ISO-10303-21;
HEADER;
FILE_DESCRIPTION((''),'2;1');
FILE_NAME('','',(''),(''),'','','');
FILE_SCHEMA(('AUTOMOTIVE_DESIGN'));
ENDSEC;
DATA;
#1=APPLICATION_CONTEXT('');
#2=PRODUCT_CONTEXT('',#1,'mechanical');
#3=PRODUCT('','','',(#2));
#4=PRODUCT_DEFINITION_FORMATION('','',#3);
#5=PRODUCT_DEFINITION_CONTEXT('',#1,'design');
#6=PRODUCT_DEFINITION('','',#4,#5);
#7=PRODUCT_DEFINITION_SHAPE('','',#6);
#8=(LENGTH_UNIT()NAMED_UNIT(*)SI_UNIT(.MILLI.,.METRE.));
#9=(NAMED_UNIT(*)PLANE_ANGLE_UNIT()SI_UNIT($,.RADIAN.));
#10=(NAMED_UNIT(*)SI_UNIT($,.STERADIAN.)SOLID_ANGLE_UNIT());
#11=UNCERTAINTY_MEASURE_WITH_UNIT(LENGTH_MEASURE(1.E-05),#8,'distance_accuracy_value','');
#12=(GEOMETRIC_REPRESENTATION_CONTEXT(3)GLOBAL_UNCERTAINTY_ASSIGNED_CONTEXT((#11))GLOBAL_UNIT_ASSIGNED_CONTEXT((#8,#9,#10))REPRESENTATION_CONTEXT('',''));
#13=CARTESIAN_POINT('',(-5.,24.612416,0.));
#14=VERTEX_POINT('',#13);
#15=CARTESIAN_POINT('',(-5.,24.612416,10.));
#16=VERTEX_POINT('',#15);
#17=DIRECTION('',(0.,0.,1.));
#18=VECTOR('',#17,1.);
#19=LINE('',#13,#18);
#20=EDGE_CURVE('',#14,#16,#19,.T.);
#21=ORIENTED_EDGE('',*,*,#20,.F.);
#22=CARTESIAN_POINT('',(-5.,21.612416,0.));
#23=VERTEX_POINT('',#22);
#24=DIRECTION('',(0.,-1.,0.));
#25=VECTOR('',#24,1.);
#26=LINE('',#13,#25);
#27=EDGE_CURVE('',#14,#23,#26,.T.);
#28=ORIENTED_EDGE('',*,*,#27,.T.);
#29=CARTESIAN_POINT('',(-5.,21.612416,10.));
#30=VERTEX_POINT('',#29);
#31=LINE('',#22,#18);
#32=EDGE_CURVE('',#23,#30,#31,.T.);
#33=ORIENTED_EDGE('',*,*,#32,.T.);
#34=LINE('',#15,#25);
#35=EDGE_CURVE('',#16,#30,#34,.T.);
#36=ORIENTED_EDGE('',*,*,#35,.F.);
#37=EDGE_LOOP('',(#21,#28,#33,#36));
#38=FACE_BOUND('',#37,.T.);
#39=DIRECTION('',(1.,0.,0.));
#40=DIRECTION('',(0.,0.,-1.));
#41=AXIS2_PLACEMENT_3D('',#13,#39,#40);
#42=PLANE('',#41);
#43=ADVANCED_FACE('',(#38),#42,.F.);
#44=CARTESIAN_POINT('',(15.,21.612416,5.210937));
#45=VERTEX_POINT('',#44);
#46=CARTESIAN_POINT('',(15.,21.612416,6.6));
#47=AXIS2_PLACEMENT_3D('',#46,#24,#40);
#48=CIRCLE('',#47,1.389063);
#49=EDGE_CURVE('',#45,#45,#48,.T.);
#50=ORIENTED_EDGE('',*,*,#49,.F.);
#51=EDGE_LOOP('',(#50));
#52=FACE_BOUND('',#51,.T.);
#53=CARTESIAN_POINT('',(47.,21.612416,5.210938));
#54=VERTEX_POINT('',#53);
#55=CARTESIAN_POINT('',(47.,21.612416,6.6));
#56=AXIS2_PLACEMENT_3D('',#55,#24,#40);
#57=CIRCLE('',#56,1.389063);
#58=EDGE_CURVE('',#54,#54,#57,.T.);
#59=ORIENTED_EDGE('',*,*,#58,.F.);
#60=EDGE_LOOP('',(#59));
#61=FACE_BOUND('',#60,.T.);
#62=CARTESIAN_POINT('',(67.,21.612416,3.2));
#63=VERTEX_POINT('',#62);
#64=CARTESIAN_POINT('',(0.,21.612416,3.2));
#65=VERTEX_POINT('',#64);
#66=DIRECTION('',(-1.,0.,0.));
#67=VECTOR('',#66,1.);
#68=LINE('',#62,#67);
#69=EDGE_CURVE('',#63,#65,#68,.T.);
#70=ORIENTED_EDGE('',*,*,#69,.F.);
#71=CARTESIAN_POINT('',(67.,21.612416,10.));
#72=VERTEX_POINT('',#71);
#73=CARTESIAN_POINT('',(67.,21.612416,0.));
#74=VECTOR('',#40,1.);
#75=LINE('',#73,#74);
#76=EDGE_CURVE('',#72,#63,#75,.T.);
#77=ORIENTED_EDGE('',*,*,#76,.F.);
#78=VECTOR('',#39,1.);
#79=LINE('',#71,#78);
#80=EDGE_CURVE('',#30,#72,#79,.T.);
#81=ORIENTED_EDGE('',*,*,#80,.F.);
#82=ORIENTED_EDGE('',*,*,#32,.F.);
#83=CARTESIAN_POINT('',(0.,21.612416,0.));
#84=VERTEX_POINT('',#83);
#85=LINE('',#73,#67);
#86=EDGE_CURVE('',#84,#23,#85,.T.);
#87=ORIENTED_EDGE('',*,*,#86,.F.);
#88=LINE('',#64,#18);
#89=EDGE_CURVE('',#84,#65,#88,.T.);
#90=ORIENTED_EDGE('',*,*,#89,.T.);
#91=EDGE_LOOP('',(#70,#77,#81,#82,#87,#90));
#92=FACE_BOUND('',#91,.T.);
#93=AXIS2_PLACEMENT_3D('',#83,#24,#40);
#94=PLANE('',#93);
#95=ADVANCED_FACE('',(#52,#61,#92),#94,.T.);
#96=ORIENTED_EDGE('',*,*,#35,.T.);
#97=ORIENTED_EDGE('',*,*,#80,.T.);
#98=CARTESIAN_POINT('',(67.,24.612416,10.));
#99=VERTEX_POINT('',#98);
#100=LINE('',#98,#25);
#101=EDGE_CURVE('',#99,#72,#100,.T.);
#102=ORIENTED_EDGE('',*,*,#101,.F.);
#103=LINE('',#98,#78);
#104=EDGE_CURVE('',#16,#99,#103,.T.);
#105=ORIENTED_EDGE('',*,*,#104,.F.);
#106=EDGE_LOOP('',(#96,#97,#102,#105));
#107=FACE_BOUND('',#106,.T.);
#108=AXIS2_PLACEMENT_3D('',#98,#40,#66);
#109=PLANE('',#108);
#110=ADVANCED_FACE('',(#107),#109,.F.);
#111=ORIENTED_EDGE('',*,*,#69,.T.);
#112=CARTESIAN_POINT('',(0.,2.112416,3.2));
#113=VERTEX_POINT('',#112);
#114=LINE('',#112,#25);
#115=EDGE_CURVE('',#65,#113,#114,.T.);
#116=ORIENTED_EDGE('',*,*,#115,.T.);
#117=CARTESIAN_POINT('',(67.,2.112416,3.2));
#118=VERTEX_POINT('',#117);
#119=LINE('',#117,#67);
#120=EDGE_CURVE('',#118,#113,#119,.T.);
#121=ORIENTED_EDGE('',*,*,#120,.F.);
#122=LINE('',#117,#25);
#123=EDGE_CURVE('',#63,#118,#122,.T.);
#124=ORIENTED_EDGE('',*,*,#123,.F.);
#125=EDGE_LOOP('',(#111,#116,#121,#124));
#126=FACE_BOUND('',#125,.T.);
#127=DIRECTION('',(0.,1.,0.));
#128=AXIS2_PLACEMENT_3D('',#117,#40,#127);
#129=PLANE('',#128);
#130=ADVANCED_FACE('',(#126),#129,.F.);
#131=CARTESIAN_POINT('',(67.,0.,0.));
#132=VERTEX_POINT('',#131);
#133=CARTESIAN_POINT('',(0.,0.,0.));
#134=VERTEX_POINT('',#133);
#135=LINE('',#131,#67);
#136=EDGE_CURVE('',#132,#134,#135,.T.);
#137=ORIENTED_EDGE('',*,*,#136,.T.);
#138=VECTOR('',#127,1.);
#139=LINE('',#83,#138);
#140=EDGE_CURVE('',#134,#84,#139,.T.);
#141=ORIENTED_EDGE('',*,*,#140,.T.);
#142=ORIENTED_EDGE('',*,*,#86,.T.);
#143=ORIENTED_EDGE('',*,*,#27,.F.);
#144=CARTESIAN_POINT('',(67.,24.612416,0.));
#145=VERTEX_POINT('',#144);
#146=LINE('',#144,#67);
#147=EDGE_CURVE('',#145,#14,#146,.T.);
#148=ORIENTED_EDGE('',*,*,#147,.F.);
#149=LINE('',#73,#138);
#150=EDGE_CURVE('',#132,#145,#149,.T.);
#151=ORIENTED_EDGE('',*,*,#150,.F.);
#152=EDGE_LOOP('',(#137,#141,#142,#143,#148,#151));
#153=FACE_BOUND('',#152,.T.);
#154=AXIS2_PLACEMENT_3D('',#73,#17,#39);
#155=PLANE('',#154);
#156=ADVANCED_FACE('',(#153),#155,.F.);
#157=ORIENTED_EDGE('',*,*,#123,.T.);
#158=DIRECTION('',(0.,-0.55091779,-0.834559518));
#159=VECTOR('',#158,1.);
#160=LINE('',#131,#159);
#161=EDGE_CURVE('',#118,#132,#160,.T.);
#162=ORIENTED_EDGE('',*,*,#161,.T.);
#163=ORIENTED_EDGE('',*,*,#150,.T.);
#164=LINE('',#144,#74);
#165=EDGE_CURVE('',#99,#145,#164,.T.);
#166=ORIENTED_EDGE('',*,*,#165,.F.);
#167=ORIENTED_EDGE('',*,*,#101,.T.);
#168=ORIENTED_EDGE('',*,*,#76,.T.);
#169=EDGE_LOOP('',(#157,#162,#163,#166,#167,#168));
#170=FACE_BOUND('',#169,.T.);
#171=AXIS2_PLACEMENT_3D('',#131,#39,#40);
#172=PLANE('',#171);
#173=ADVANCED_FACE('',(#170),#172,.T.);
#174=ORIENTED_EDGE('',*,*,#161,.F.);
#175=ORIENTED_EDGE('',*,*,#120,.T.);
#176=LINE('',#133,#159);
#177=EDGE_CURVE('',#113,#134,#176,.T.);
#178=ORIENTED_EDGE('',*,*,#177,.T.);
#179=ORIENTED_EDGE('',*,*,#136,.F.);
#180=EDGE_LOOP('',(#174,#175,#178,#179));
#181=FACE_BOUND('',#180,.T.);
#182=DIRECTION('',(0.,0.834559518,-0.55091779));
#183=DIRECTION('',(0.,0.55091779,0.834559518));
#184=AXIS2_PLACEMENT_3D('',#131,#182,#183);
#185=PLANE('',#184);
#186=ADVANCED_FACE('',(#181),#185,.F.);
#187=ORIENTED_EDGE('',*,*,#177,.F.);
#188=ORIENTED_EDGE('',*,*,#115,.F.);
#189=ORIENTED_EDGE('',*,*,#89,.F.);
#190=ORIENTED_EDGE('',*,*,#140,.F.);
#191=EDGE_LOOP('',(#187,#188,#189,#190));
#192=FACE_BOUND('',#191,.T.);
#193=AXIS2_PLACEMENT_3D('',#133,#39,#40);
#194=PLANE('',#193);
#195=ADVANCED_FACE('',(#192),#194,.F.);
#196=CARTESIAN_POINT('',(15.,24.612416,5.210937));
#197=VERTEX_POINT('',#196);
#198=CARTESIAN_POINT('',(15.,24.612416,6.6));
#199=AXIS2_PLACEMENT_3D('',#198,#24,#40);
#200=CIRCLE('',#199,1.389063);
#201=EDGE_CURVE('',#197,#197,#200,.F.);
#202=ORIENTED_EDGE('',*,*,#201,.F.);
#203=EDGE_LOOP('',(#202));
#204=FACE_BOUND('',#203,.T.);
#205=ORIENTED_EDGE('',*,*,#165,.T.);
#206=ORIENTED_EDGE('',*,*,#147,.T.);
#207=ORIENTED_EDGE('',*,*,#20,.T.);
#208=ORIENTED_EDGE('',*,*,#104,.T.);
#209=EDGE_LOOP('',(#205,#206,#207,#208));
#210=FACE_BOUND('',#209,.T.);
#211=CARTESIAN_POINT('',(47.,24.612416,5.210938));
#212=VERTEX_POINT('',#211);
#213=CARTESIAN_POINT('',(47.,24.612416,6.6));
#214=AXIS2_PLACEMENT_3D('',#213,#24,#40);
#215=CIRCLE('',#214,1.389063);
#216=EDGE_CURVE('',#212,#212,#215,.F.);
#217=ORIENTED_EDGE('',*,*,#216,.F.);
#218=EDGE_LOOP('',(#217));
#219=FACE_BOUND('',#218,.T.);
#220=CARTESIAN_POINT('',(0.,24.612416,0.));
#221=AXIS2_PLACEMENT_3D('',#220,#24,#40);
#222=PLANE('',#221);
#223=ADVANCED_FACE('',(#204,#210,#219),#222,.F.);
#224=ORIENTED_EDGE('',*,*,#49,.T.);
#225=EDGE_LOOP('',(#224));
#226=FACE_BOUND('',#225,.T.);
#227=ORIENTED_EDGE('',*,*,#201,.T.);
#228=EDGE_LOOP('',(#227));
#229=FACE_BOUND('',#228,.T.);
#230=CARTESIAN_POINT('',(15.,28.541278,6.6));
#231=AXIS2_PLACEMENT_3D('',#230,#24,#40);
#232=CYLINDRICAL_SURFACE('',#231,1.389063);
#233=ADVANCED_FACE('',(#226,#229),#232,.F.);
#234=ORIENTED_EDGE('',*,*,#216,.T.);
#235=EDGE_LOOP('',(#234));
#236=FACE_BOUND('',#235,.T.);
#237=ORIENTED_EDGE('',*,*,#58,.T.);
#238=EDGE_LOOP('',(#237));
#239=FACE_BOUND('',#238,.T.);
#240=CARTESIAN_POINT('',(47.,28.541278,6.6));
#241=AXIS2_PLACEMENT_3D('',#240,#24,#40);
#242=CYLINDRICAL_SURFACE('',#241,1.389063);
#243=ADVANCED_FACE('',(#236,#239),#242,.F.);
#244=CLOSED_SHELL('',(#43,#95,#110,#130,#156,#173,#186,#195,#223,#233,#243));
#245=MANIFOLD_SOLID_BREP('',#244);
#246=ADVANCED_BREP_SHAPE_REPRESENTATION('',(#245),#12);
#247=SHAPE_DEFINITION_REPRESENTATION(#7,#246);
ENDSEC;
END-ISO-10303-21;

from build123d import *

# Parameters (mm, degrees)
BOSS_EXTRUDE1_DEPTH = 67
SKETCH2_W           = 72
SKETCH2_H           = 10
BOSS_EXTRUDE2_DEPTH = 3
SKETCH3_R           = 1.3890625
CUT_EXTRUDE1_DEPTH  = 3


with BuildPart() as part:
    # Sketch1 → Boss-Extrude1 (new body)
    with BuildSketch(Plane(origin=(0, 0, 0), x_dir=(0, 0, -1), z_dir=(1, 0, 0))):
        Polygon((0, 0), (-3.2, 2.112416059), (-3.2, 21.612416059), (0, 21.612416059), align=None)
    extrude(amount=BOSS_EXTRUDE1_DEPTH)

    # Sketch2 → Boss-Extrude2 (add)
    with BuildSketch(Plane(origin=(0, 21.612416059, 0), x_dir=(1, 0, 0), z_dir=(0, 1, 0))):
        with Locations((31, -5)):
            Rectangle(SKETCH2_W, SKETCH2_H)
    extrude(amount=BOSS_EXTRUDE2_DEPTH)

    # Sketch3 → Cut-Extrude1 (cut)
    with BuildSketch(Plane.XZ.offset(-21.612416059)):
        with Locations((47, 6.6)):
            Circle(SKETCH3_R)
        with Locations((15, 6.6)):
            Circle(SKETCH3_R)
    extrude(amount=-CUT_EXTRUDE1_DEPTH, mode=Mode.SUBTRACT)


solid = part.part
